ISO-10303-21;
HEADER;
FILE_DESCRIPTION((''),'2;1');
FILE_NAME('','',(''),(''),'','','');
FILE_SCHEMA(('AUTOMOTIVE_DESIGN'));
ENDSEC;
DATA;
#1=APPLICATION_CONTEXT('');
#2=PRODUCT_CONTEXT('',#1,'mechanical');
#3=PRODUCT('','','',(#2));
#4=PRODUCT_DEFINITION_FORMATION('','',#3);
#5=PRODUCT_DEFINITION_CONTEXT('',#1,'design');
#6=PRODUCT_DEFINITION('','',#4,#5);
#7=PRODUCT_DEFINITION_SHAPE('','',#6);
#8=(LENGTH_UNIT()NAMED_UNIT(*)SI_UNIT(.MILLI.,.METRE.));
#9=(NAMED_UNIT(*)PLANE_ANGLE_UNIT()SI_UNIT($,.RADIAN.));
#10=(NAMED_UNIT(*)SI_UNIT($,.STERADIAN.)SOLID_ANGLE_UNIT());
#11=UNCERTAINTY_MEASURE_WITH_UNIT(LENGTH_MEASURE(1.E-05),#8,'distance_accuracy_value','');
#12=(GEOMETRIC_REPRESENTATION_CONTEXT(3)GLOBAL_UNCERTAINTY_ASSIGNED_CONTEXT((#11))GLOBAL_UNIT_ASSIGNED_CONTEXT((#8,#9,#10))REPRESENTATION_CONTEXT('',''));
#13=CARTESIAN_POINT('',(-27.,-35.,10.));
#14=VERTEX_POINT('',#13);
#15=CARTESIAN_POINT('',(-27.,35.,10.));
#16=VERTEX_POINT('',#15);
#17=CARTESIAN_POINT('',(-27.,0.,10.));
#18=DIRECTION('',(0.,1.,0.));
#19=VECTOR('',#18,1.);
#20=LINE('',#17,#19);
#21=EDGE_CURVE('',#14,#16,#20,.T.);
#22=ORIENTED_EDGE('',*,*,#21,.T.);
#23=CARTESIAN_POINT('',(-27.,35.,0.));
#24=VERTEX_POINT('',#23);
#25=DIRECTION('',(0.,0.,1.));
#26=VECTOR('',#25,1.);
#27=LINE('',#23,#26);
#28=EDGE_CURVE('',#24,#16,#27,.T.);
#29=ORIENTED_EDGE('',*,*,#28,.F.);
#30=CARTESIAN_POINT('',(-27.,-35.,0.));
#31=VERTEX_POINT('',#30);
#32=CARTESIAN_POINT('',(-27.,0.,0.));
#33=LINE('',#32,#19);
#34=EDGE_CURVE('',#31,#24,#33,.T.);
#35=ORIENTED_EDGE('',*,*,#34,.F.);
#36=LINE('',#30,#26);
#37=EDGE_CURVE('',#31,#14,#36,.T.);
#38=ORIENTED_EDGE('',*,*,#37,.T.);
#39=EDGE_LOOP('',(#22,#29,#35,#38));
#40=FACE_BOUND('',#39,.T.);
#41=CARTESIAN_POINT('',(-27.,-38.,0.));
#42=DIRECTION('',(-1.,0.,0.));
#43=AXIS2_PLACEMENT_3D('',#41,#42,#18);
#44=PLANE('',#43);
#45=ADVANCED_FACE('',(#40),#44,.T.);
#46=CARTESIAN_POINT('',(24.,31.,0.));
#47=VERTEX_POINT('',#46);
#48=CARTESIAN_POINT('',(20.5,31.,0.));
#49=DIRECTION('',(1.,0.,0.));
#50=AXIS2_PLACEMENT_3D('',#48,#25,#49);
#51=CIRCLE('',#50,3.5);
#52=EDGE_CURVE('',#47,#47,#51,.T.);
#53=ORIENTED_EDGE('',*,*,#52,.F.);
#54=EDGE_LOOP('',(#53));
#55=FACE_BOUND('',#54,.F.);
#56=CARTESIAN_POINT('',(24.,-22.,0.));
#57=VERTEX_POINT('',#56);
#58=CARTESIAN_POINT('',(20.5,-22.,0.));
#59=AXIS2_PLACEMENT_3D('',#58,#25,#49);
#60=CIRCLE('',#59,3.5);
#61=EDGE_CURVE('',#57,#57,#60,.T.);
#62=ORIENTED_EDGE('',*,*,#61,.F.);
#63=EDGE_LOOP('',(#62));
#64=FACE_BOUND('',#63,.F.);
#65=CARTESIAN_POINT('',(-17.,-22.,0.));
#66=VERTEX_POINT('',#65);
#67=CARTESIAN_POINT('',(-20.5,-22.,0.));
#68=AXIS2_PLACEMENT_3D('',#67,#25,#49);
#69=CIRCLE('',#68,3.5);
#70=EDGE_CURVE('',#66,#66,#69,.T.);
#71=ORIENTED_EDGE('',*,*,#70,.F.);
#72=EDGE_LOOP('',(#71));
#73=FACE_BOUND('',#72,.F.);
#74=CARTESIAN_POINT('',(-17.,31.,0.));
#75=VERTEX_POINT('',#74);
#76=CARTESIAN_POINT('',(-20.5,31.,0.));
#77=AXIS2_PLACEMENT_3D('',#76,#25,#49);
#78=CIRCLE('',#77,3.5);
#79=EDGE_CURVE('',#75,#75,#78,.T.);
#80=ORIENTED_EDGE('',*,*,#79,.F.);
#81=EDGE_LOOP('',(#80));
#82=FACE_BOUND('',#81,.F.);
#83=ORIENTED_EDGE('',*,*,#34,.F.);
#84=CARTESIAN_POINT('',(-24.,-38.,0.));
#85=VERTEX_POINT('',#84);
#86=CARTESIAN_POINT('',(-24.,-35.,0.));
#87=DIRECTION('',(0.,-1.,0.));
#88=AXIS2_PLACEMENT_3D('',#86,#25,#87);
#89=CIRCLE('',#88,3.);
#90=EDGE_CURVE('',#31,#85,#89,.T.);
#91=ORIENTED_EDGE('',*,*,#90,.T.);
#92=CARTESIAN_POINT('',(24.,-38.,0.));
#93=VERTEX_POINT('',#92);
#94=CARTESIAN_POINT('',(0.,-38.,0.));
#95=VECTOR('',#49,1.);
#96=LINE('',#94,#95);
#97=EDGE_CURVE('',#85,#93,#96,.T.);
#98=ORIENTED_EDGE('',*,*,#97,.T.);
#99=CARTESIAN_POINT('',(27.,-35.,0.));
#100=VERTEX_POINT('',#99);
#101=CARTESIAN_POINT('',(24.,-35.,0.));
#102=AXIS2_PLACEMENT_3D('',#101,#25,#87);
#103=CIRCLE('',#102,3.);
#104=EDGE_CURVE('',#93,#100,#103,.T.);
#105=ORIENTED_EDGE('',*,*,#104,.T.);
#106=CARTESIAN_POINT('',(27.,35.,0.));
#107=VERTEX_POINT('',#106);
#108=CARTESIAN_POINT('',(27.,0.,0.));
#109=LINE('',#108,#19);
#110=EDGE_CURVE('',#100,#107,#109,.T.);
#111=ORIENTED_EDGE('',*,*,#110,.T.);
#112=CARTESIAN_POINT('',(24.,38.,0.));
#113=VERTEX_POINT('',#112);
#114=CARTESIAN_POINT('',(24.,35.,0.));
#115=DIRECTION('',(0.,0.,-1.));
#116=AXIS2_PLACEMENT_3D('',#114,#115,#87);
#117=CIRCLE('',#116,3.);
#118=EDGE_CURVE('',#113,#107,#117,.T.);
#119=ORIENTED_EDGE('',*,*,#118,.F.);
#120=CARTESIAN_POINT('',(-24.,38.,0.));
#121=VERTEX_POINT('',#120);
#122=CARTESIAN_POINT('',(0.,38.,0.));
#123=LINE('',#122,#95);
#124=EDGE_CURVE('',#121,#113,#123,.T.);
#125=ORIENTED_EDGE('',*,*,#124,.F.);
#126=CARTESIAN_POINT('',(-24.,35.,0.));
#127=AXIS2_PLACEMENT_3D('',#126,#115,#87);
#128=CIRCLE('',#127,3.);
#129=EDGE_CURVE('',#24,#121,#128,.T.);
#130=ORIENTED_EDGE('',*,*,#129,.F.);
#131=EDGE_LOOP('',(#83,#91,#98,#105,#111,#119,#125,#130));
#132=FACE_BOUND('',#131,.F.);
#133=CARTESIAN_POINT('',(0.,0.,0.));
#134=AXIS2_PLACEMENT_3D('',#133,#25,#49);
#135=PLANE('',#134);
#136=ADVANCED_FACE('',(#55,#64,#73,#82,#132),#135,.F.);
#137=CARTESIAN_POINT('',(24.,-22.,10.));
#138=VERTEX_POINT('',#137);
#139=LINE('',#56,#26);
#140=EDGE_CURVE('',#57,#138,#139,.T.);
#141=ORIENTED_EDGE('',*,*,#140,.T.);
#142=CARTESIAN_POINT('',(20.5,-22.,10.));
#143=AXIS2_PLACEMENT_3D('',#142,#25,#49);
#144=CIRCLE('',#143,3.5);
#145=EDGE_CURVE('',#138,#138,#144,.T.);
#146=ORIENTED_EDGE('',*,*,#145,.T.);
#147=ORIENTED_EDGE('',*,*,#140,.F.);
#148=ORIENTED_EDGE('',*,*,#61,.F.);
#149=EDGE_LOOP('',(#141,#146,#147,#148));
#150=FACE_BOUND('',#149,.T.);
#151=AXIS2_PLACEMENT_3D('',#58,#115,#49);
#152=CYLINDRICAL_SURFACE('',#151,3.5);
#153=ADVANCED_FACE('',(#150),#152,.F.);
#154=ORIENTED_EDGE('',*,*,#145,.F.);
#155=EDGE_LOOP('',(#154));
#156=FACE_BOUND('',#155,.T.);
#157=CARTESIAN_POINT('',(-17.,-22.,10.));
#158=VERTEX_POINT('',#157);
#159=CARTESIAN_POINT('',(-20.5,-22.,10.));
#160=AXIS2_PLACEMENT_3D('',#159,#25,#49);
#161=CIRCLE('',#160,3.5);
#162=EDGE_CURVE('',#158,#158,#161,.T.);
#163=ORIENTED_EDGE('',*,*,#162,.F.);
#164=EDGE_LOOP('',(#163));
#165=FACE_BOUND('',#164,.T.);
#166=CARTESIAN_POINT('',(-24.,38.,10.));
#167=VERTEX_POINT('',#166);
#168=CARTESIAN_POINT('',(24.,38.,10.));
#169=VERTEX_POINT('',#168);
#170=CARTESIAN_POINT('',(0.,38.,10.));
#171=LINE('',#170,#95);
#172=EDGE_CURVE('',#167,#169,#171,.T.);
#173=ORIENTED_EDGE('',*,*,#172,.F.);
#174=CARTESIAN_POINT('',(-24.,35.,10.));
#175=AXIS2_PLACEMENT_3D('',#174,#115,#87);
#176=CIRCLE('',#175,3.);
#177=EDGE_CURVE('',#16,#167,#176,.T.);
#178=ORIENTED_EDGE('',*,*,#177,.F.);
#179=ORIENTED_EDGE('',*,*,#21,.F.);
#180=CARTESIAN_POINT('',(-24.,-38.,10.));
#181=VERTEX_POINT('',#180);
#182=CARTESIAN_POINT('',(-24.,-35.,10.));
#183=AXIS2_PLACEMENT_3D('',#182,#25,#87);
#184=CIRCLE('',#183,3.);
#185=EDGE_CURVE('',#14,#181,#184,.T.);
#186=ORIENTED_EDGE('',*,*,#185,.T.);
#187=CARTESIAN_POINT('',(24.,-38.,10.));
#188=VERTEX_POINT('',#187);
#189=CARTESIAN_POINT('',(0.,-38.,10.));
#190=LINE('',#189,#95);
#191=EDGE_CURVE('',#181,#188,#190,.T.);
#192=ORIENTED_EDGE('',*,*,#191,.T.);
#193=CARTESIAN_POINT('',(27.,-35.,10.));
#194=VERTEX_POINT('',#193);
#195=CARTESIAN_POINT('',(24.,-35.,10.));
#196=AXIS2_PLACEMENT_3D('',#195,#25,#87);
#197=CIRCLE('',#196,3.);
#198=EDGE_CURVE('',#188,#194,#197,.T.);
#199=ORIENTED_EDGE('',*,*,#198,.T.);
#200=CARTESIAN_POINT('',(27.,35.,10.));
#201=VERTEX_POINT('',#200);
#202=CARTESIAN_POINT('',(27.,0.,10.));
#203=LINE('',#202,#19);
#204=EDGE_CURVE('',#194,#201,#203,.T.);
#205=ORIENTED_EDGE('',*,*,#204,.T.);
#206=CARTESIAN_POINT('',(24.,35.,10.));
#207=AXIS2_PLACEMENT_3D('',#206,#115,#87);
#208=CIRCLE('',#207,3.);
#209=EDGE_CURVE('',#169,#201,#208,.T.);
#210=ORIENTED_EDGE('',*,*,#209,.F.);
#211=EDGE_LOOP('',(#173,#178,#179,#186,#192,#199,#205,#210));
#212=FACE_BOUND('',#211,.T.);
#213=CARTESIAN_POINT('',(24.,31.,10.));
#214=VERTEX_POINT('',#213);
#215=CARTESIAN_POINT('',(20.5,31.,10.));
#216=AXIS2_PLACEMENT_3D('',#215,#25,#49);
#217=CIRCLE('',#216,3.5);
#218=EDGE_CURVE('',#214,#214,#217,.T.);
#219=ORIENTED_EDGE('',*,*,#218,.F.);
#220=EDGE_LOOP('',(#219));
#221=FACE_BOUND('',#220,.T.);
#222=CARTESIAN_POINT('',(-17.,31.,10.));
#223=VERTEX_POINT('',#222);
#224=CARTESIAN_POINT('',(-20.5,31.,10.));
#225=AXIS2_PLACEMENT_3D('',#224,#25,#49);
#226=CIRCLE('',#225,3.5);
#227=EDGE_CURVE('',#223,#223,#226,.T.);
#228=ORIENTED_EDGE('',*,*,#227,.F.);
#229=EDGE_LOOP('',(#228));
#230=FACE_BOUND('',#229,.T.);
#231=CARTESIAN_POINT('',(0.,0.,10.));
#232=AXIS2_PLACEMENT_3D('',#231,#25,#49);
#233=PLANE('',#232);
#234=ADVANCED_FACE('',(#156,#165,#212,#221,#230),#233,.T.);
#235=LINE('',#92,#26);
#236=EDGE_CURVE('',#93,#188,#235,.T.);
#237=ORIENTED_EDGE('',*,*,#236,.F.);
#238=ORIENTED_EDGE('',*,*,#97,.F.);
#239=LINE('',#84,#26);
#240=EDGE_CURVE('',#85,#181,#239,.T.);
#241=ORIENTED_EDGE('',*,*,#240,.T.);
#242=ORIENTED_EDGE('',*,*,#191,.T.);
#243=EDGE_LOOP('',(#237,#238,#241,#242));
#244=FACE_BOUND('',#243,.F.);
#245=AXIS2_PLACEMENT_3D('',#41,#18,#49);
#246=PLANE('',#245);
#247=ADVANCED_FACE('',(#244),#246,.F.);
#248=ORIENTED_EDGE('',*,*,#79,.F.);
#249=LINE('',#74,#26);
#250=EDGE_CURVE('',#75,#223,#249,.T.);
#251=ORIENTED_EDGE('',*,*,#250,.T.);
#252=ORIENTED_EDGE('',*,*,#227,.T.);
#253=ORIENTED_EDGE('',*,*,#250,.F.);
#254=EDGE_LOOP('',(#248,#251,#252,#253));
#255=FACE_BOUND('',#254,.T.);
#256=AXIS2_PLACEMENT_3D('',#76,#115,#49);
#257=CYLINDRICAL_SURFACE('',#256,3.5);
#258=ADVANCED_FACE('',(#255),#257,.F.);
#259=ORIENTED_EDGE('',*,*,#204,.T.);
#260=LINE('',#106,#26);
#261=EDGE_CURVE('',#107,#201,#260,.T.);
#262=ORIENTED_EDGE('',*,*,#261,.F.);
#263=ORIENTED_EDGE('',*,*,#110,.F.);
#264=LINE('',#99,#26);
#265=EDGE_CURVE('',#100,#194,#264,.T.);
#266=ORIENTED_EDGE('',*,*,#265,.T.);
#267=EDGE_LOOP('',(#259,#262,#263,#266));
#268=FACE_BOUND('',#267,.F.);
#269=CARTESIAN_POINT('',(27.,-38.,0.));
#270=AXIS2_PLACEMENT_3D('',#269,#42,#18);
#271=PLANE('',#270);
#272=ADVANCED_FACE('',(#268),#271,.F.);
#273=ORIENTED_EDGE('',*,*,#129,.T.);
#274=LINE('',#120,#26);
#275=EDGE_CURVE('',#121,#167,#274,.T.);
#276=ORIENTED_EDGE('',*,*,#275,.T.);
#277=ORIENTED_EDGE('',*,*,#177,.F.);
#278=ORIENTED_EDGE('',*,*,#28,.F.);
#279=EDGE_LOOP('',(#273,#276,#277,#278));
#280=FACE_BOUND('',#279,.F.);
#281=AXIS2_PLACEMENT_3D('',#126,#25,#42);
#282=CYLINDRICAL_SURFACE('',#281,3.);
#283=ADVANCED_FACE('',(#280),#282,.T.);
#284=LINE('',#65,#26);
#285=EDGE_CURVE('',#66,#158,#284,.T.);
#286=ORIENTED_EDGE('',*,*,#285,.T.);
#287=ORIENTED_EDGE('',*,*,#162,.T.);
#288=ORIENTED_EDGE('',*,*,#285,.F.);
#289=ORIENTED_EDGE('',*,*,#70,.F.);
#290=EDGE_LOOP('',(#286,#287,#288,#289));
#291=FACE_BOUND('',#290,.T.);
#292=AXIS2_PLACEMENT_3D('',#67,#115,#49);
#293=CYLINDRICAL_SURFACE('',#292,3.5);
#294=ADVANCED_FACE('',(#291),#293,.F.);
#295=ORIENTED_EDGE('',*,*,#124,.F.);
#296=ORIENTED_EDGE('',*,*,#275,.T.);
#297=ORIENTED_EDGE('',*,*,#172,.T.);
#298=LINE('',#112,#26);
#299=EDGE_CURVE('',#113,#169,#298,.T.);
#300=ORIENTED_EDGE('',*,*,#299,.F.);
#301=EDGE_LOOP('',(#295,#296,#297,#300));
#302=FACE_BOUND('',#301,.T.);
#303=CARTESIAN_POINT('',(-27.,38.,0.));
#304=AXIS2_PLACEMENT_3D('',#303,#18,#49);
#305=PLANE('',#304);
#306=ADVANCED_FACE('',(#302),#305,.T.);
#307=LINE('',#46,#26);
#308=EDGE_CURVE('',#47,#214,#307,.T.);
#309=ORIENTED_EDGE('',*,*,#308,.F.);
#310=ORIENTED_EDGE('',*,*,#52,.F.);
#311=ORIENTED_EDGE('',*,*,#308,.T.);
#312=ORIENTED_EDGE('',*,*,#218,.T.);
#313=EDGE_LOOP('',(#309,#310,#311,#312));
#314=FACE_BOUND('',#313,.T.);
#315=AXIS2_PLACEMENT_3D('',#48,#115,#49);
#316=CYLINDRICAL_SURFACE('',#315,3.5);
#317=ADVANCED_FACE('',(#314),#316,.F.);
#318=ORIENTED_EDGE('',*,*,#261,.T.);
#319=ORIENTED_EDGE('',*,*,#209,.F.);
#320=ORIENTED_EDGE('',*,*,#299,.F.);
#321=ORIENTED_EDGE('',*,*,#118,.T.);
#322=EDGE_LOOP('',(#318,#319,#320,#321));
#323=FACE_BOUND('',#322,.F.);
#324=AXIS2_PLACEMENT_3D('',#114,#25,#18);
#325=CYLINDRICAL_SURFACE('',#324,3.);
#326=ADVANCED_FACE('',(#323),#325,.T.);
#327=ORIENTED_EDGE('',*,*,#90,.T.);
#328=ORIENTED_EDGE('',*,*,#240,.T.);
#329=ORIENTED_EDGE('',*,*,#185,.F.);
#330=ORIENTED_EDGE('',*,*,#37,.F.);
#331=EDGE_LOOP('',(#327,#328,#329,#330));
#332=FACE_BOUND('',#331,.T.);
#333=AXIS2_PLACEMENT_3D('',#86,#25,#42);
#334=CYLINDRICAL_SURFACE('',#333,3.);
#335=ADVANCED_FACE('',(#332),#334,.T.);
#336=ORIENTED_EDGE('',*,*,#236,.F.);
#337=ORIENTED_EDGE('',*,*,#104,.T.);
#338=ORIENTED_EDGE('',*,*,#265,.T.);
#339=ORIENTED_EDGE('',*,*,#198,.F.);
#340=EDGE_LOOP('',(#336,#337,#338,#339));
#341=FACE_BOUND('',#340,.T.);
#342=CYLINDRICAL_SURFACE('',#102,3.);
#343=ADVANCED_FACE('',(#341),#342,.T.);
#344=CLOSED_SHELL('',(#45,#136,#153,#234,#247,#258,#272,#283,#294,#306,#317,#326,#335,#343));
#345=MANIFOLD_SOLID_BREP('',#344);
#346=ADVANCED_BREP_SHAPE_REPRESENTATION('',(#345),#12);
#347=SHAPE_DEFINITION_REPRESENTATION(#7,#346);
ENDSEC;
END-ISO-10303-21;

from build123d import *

# Parameters (mm, degrees)
SKETCH_W      = 54
SKETCH_H      = 76
SKETCH_R      = 3.5
EXTRUDE_DEPTH = 10
FILLET_R      = 3


with BuildPart() as part:
    # Sketch → Extrude (new body)
    with BuildSketch(Plane.XY):
        Rectangle(SKETCH_W, SKETCH_H)
        with Locations((-20.5, 31)):
            Circle(SKETCH_R, mode=Mode.SUBTRACT)
        with Locations((20.5, 31)):
            Circle(SKETCH_R, mode=Mode.SUBTRACT)
        with Locations((-20.5, -22)):
            Circle(SKETCH_R, mode=Mode.SUBTRACT)
        with Locations((20.5, -22)):
            Circle(SKETCH_R, mode=Mode.SUBTRACT)
    extrude(amount=EXTRUDE_DEPTH)

    # Fillet
    fillet_edges = [part.edges().sort_by_distance(p)[0] for p in [
        (-27, 38, 5),
        (27, 38, 5),
        (27, -38, 5),
        (-27, -38, 5),
    ]]
    fillet(fillet_edges, radius=FILLET_R)


solid = part.part
